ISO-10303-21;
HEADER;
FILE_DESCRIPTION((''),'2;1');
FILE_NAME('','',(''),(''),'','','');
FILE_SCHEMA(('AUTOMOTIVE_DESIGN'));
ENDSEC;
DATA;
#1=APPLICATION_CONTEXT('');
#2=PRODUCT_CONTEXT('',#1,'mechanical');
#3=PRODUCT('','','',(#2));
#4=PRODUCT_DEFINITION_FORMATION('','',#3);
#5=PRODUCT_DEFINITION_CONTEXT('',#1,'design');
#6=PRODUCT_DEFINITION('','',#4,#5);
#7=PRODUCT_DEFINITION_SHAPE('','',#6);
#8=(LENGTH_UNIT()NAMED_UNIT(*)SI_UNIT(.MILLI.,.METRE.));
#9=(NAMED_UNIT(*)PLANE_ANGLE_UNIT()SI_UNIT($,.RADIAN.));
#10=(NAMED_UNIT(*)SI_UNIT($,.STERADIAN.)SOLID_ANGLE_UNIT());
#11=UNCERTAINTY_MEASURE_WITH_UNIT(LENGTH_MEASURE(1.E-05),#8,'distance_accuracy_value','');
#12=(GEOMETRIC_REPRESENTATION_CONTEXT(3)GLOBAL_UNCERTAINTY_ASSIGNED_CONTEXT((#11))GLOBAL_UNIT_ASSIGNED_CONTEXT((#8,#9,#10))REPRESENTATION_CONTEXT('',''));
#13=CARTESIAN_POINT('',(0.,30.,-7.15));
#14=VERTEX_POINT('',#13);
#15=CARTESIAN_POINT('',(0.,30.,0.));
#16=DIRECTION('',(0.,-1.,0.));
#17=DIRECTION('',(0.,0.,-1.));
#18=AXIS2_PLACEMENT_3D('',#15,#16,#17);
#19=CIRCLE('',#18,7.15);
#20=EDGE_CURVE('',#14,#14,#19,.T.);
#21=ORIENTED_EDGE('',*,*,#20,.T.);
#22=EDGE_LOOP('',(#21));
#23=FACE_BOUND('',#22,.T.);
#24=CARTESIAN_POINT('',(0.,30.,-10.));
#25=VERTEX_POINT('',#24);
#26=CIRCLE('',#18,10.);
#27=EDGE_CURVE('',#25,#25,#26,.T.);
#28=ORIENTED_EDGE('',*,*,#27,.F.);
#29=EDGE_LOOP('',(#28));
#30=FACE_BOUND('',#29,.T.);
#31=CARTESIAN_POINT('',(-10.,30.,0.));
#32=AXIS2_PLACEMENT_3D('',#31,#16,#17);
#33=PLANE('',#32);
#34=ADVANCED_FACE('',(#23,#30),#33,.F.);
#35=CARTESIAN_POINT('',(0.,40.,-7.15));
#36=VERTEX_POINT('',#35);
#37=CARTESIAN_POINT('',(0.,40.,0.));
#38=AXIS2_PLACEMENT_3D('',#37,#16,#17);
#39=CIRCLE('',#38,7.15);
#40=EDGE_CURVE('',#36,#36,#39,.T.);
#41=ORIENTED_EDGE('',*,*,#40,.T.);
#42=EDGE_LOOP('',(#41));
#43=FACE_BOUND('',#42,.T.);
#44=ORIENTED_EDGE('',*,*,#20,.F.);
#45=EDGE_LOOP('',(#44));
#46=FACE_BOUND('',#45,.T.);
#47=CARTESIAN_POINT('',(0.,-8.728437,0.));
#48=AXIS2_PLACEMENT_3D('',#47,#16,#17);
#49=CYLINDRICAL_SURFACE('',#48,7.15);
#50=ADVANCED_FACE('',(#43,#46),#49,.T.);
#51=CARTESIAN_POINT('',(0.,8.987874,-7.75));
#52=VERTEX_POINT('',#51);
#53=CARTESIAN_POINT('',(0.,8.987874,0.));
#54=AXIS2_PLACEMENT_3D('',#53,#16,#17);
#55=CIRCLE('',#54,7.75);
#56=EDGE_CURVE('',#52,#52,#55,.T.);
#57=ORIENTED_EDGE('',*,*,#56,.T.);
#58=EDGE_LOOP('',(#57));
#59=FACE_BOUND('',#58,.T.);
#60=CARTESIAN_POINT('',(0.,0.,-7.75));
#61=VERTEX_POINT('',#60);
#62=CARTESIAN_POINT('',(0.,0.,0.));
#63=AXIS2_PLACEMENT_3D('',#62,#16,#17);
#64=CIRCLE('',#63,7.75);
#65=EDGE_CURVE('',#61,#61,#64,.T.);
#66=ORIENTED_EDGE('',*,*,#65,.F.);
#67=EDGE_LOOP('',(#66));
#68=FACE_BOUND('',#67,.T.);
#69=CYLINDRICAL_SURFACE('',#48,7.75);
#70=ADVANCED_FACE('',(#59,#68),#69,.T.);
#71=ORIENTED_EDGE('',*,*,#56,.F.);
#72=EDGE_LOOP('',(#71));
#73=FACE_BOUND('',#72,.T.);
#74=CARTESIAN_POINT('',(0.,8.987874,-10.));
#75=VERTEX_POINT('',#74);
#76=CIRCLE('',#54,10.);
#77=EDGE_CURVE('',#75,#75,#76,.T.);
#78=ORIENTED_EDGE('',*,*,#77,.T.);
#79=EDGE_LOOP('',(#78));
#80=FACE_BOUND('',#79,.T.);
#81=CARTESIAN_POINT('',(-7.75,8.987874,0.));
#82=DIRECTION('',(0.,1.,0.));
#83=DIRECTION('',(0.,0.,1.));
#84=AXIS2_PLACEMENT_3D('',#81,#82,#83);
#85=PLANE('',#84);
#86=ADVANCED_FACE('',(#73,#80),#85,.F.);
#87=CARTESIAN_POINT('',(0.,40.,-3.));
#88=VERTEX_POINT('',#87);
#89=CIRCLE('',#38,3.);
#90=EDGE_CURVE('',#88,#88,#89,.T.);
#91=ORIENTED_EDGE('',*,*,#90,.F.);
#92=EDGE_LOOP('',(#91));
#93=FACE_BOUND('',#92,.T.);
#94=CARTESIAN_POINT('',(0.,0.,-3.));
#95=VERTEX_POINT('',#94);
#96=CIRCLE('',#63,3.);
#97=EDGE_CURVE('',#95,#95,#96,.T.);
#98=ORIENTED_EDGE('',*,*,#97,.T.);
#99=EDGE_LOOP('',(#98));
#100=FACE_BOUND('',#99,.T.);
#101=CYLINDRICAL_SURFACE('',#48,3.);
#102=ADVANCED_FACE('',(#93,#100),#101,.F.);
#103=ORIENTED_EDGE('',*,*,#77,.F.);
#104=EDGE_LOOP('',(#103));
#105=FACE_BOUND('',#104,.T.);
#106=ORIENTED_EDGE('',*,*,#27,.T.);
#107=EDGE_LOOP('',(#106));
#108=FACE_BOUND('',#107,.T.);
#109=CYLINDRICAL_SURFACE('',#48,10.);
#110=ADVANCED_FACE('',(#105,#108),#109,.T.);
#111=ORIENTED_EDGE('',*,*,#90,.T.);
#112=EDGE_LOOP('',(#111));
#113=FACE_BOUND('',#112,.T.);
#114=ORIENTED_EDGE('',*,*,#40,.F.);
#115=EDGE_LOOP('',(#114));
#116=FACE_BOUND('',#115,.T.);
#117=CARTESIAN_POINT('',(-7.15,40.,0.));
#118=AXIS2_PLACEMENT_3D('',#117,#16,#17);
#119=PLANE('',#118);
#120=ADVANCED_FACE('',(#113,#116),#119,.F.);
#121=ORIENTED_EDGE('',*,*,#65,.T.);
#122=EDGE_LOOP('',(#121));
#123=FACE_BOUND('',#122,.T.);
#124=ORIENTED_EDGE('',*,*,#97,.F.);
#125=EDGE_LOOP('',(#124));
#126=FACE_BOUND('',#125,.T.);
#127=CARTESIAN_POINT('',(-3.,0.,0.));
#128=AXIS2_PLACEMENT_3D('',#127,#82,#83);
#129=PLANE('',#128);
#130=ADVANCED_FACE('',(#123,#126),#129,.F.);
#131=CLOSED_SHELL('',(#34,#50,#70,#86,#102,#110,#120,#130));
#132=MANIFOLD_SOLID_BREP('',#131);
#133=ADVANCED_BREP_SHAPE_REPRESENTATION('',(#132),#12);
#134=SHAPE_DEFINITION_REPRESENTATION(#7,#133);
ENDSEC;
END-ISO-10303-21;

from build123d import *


with BuildPart() as part:
    # Эскиз1 → Повернуть1 (revolve)
    with BuildSketch(Plane.XY):
        Polygon((-3, 0), (-7.75, 0), (-7.75, 8.987874114), (-10, 8.987874114), (-10, 30), (-7.15, 30), (-7.15, 40), (-3, 40), align=None)
    revolve(axis=Axis((0, -8.728436619, 0), (0, 1, 0)))


solid = part.part
